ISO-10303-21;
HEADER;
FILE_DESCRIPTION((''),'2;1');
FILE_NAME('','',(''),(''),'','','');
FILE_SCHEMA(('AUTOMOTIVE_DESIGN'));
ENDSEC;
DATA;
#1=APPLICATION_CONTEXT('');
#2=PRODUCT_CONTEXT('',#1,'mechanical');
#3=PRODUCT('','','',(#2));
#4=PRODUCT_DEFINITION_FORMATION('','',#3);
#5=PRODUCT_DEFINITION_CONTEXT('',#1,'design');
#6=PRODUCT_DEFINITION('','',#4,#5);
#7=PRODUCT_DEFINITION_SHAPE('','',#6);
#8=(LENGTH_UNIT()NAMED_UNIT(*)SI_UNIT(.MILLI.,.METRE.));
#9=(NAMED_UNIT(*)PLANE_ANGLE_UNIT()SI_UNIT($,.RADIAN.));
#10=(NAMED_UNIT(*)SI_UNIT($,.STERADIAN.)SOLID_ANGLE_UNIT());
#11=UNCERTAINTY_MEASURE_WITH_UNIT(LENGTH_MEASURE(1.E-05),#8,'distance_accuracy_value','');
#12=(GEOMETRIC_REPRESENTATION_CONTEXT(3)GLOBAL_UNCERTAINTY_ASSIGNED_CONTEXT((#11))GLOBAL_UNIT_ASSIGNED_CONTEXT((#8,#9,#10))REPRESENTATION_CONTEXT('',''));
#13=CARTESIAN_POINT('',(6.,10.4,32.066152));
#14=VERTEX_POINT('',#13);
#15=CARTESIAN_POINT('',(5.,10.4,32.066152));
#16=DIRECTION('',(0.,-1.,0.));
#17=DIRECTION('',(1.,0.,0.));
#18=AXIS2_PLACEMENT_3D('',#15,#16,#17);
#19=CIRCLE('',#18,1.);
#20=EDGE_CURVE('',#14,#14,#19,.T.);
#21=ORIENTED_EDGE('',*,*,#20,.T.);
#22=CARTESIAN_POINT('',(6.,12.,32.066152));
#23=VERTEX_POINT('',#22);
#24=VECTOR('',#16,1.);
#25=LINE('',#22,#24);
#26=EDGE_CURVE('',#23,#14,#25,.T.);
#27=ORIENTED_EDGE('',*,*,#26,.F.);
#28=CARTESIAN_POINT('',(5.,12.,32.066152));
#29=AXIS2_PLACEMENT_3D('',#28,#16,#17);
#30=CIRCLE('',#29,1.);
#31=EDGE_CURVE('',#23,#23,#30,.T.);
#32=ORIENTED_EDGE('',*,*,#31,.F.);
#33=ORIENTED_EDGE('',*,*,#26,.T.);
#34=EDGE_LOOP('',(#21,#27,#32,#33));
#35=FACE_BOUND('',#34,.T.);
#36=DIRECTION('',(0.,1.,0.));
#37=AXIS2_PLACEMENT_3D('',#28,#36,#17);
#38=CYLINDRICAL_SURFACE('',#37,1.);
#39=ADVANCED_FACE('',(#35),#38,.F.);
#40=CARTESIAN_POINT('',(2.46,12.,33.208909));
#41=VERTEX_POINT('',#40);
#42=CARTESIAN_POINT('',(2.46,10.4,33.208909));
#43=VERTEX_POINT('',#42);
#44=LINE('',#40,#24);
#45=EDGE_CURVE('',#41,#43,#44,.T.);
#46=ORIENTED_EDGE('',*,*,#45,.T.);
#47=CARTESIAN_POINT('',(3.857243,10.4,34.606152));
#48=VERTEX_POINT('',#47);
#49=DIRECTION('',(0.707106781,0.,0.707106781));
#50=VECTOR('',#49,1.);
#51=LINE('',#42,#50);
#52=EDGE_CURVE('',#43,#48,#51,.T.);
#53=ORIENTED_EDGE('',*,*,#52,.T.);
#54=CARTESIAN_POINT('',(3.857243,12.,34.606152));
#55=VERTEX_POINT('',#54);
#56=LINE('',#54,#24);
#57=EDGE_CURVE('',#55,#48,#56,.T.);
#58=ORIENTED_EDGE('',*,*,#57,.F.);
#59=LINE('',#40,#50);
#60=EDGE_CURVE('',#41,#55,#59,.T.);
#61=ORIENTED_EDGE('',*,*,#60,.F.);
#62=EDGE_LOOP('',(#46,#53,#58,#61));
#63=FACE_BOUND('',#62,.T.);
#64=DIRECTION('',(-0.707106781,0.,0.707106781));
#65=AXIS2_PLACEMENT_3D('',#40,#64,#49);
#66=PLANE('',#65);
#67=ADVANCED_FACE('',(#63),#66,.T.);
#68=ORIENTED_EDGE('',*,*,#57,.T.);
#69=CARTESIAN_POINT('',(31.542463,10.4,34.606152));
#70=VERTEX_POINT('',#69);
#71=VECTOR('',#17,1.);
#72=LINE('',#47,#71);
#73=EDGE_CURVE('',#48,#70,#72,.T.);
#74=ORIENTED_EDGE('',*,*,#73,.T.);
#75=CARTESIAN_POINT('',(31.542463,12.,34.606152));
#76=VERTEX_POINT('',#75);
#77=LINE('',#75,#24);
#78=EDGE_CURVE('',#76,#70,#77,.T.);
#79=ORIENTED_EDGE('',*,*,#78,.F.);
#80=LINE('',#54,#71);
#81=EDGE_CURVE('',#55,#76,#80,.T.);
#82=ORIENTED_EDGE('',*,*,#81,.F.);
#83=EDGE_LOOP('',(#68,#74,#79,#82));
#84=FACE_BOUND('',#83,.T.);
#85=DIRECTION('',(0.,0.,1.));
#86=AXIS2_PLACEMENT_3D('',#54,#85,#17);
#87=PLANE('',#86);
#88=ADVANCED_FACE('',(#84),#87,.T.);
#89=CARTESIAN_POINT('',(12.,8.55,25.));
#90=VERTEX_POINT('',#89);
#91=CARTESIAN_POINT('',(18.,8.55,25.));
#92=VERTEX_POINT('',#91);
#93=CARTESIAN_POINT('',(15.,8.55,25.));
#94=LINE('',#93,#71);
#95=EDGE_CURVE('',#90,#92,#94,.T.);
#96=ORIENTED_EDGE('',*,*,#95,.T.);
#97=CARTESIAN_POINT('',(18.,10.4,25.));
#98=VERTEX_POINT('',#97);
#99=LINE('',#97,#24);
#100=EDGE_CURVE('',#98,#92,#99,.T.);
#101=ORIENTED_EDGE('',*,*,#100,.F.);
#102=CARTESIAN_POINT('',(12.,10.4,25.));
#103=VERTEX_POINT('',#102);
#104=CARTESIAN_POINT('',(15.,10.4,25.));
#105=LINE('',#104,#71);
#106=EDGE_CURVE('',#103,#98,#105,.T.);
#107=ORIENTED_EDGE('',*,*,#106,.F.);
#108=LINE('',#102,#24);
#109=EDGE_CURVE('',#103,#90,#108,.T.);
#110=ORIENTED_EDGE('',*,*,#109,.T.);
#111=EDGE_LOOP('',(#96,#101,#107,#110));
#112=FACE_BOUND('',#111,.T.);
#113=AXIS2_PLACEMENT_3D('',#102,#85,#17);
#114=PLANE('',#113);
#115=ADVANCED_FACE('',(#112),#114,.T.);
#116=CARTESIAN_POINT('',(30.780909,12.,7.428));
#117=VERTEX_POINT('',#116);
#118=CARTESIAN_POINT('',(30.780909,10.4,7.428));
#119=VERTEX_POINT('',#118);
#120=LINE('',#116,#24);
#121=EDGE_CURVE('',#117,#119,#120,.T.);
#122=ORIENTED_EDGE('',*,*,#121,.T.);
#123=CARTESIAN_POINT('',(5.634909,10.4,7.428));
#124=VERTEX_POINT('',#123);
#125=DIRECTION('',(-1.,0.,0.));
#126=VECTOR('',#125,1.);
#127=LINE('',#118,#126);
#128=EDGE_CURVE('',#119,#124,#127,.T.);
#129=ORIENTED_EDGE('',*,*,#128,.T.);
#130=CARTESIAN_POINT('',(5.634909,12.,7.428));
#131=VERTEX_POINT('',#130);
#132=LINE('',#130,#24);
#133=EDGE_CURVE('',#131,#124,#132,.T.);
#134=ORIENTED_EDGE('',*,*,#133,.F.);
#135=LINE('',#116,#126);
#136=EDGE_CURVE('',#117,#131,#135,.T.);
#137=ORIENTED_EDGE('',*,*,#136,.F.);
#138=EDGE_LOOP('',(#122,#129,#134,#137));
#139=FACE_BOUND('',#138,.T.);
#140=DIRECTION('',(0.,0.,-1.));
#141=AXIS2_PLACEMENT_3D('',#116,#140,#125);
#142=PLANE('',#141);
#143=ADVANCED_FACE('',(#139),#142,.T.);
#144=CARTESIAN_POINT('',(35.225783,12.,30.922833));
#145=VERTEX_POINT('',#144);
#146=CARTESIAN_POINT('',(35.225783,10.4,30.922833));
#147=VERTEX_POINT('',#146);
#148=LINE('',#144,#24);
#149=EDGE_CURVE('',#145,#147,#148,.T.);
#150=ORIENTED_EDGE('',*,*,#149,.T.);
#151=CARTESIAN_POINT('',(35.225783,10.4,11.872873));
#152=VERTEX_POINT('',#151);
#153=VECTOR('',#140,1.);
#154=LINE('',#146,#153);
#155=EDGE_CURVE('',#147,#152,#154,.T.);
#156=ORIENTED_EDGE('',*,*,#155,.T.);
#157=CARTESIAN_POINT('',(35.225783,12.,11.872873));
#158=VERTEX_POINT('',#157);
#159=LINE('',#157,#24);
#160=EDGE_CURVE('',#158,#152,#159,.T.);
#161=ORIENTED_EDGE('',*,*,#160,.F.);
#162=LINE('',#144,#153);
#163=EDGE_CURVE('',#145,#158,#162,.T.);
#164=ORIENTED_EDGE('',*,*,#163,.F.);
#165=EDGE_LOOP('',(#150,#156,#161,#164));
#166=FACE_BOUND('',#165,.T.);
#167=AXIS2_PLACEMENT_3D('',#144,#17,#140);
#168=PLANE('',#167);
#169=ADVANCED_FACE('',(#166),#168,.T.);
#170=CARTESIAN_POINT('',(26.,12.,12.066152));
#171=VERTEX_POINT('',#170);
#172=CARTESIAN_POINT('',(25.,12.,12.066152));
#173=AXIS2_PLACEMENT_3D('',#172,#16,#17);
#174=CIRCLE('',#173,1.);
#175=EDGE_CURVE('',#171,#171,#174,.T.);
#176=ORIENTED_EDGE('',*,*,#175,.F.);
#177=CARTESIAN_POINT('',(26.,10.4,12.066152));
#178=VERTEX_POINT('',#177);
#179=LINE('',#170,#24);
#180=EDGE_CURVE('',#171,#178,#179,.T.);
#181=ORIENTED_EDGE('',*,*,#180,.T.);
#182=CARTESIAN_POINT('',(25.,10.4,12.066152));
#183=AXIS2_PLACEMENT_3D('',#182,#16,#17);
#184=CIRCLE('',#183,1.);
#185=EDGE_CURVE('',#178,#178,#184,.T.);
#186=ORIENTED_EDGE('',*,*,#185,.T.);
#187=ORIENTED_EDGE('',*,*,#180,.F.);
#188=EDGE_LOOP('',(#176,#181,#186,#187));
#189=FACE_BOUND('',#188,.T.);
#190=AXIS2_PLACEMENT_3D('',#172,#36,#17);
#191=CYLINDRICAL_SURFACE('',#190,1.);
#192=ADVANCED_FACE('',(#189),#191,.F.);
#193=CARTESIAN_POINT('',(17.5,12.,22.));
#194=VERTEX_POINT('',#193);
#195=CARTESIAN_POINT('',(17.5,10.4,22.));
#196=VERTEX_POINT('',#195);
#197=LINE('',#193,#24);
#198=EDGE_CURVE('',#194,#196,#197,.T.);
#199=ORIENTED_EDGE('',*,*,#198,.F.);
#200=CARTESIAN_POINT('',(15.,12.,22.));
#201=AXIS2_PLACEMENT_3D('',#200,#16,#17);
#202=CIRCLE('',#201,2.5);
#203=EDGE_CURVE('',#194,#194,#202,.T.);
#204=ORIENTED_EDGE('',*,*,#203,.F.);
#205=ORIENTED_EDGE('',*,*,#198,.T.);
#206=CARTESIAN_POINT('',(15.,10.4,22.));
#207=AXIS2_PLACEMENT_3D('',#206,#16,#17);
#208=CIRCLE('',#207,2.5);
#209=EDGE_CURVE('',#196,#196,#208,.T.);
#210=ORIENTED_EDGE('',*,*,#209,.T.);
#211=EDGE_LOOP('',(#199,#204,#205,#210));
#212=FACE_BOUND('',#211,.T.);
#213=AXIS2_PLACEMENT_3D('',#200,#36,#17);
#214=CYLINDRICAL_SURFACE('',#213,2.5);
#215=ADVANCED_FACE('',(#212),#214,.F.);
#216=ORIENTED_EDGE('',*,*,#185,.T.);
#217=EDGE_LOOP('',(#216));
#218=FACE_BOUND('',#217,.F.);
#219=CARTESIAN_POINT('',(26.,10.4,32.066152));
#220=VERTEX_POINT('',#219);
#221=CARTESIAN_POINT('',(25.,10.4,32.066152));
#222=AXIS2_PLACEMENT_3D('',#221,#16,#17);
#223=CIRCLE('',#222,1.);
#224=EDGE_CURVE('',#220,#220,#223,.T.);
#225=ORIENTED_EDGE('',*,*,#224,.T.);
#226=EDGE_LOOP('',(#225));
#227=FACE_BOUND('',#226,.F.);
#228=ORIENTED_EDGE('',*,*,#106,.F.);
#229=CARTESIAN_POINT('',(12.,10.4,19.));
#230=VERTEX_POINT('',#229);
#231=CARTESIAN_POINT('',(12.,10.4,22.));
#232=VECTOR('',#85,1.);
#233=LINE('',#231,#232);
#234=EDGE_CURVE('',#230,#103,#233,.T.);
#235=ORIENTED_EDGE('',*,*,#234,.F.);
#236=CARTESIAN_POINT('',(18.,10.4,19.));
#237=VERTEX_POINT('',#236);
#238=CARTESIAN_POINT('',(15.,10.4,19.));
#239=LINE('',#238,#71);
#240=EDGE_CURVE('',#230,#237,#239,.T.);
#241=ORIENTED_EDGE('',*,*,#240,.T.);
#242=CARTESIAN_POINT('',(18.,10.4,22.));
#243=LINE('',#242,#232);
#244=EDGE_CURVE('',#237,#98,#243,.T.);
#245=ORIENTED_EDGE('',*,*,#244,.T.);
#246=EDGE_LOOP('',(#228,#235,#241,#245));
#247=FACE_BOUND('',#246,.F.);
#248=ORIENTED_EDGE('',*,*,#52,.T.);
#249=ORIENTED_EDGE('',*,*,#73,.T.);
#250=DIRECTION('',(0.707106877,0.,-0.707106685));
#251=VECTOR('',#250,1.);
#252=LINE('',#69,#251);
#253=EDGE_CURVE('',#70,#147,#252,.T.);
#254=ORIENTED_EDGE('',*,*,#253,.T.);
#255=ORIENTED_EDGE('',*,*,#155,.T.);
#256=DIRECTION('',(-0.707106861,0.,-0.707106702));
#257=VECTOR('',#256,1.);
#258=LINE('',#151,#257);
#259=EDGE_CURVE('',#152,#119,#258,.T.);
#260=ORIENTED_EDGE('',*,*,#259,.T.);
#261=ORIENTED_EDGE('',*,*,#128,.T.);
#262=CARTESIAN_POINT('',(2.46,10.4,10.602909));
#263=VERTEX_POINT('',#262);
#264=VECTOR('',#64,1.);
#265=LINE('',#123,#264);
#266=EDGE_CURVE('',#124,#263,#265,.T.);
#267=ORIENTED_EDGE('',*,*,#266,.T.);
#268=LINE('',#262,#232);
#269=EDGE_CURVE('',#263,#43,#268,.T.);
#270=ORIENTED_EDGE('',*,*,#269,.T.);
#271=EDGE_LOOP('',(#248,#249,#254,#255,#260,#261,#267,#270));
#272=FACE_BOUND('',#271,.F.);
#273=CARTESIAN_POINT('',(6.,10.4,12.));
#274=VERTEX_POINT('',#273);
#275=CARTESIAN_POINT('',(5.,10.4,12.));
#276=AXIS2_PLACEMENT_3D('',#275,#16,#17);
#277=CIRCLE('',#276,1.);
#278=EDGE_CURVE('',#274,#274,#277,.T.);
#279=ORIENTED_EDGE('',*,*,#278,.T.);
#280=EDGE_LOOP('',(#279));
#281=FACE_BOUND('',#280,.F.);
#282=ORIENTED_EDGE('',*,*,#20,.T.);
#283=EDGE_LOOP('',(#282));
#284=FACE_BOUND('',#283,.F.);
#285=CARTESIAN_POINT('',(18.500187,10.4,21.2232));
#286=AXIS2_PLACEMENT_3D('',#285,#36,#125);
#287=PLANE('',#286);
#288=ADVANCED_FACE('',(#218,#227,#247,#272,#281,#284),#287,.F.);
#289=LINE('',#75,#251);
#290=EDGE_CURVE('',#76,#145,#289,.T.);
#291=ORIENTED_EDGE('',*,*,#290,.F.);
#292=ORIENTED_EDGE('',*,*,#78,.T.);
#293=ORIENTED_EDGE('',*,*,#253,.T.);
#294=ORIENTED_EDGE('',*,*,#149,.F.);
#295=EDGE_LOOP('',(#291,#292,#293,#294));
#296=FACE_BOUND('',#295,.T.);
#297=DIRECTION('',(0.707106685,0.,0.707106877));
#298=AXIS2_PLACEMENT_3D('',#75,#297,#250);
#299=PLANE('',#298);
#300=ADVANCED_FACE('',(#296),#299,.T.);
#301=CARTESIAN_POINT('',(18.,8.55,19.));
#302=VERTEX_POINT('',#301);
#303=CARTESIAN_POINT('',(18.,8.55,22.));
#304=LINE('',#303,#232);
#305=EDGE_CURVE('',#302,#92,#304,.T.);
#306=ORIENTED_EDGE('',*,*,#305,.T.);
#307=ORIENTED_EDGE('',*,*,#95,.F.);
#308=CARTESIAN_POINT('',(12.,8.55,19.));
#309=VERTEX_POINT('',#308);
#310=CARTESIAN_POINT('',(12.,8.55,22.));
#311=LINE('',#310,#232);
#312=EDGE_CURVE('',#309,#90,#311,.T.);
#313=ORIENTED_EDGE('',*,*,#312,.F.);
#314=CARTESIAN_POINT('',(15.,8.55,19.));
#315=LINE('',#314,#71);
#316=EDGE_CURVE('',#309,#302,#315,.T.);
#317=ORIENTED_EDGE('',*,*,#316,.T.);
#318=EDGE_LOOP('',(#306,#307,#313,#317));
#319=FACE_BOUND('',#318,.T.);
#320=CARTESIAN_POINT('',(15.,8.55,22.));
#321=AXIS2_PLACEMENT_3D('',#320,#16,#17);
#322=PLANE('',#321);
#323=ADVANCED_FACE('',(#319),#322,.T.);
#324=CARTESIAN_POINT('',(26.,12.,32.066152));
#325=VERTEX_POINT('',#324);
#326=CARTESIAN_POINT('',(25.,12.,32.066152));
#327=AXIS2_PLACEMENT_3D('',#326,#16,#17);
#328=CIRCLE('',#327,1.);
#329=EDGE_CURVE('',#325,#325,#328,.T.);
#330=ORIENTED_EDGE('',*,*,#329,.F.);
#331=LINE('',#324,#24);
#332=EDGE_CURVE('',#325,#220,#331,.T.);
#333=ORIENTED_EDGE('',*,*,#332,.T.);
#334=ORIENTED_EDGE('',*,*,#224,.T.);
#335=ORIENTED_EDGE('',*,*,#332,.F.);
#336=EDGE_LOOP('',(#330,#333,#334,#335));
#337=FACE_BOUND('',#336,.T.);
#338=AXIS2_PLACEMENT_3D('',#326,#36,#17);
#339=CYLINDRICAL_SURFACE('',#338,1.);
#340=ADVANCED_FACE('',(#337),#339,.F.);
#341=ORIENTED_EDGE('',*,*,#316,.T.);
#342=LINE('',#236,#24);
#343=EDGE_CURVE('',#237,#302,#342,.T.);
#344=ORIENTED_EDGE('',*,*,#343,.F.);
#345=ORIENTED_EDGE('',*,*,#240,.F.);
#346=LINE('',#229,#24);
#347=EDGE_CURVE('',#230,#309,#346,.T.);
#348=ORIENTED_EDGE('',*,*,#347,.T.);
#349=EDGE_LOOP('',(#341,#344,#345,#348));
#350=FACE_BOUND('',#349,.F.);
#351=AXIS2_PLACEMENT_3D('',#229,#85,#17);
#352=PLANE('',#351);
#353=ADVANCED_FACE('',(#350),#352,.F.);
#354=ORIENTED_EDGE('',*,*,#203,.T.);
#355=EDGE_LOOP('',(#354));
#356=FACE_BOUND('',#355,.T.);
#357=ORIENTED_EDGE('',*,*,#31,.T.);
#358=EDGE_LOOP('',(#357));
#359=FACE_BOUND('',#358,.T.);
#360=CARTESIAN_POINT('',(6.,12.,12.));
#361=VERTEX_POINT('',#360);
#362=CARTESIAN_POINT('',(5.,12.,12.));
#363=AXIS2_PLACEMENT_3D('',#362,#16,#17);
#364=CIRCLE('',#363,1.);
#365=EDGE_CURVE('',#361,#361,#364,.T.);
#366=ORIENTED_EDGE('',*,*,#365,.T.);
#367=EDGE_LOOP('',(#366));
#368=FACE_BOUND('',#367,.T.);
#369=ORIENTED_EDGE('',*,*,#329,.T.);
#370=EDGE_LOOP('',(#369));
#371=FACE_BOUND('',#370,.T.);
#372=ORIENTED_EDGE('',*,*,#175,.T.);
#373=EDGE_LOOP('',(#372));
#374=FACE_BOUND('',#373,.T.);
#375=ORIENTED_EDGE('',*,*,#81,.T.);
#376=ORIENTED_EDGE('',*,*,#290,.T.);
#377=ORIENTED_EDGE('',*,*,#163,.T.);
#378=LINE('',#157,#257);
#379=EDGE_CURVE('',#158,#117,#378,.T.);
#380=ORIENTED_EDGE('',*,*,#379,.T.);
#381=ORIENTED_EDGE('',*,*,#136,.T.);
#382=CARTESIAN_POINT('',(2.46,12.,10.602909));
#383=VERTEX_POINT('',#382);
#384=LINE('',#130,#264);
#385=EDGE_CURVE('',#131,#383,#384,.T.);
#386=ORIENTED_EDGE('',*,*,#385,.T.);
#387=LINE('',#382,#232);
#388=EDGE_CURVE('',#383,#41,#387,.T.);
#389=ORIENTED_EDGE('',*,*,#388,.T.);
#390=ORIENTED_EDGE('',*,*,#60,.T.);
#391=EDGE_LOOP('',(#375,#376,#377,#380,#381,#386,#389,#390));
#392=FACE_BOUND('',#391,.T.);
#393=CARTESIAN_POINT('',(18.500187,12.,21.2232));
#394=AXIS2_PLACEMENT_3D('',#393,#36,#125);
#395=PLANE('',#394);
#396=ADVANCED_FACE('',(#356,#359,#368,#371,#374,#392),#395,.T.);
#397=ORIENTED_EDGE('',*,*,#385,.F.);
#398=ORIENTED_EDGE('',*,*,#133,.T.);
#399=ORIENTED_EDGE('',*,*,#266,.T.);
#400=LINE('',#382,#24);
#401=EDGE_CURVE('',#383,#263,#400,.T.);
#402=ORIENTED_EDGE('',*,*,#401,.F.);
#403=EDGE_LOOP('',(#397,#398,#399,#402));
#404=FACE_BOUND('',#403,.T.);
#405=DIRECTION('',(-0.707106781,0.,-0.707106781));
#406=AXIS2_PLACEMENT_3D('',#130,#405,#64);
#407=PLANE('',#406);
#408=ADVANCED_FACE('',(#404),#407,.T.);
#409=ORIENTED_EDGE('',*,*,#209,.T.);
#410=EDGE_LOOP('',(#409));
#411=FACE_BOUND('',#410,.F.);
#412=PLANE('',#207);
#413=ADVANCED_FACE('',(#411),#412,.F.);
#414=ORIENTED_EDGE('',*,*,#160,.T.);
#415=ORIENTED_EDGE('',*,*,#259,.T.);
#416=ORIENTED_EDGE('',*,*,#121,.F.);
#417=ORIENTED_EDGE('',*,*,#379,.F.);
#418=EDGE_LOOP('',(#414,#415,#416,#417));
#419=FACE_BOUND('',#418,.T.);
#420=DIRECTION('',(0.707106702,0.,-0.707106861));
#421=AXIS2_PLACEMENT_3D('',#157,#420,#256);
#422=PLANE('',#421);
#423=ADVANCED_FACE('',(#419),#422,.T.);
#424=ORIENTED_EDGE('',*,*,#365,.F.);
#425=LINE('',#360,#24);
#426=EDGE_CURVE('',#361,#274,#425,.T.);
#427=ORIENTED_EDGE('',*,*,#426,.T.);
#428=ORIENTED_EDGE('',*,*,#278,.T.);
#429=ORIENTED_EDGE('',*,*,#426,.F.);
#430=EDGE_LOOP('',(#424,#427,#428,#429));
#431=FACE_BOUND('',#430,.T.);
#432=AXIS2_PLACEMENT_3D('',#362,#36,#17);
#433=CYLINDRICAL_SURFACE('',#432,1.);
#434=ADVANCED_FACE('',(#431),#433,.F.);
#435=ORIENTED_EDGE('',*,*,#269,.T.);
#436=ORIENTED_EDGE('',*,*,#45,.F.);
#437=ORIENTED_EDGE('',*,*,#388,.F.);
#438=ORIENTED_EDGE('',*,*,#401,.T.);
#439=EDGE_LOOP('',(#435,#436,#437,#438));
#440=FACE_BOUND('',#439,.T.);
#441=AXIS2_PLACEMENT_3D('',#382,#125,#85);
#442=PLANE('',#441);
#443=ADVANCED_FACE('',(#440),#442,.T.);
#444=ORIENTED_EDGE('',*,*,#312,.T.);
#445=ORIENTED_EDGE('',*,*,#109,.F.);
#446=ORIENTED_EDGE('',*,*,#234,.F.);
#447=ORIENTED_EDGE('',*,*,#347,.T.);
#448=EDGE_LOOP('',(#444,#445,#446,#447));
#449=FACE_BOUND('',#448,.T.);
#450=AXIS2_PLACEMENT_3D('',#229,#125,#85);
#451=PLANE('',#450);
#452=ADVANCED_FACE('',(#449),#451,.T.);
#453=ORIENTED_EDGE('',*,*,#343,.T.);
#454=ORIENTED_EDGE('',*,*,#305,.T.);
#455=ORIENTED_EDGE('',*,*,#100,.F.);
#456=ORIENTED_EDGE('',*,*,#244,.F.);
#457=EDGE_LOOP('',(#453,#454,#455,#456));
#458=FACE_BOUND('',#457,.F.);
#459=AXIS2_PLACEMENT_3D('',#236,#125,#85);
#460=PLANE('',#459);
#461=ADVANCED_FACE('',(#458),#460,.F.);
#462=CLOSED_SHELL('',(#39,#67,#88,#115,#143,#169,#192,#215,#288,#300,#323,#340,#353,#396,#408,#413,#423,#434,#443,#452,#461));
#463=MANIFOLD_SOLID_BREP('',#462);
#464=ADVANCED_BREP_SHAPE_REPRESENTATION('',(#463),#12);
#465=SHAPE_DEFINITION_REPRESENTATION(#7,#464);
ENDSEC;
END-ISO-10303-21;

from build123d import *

# Parameters (mm, degrees)
SKETCH154_R   = 1
SKETCH154_R_2 = 2.5
PAD078_DEPTH  = 1.6
SKETCH157_W   = 6
SKETCH157_H   = 6
PAD080_DEPTH  = 1.85


with BuildPart() as part:
    # Sketch154 → Pad078 (new body)
    with BuildSketch(Plane.XZ):
        Polygon((0.634909, -4.572), (-2.54, -1.397091), (-2.54, 21.208909), (-1.142757, 22.606152), (26.542463, 22.606152), (30.225783, 18.922833), (30.225783, -0.127127), (25.780909, -4.572), align=None)
        with Locations((0, 20.066152)):
            Circle(SKETCH154_R, mode=Mode.SUBTRACT)
        Circle(SKETCH154_R, mode=Mode.SUBTRACT)
        with Locations((20, 20.066152)):
            Circle(SKETCH154_R, mode=Mode.SUBTRACT)
        with Locations((20, 0.066152)):
            Circle(SKETCH154_R, mode=Mode.SUBTRACT)
        with Locations((10, 10)):
            Circle(SKETCH154_R_2, mode=Mode.SUBTRACT)
    extrude(amount=PAD078_DEPTH)

    # Sketch157 (on Face15 of Pad078) → Pad080 (join)
    with BuildSketch(Plane.XZ.offset(1.6)):
        with Locations((10, 10)):
            Rectangle(SKETCH157_W, SKETCH157_H)
    extrude(amount=PAD080_DEPTH)


with BuildPart() as part_1:
    # Body062 placement: moved
    add(part.part.moved(Location((5, 12, 12))))


solid = part_1.part
